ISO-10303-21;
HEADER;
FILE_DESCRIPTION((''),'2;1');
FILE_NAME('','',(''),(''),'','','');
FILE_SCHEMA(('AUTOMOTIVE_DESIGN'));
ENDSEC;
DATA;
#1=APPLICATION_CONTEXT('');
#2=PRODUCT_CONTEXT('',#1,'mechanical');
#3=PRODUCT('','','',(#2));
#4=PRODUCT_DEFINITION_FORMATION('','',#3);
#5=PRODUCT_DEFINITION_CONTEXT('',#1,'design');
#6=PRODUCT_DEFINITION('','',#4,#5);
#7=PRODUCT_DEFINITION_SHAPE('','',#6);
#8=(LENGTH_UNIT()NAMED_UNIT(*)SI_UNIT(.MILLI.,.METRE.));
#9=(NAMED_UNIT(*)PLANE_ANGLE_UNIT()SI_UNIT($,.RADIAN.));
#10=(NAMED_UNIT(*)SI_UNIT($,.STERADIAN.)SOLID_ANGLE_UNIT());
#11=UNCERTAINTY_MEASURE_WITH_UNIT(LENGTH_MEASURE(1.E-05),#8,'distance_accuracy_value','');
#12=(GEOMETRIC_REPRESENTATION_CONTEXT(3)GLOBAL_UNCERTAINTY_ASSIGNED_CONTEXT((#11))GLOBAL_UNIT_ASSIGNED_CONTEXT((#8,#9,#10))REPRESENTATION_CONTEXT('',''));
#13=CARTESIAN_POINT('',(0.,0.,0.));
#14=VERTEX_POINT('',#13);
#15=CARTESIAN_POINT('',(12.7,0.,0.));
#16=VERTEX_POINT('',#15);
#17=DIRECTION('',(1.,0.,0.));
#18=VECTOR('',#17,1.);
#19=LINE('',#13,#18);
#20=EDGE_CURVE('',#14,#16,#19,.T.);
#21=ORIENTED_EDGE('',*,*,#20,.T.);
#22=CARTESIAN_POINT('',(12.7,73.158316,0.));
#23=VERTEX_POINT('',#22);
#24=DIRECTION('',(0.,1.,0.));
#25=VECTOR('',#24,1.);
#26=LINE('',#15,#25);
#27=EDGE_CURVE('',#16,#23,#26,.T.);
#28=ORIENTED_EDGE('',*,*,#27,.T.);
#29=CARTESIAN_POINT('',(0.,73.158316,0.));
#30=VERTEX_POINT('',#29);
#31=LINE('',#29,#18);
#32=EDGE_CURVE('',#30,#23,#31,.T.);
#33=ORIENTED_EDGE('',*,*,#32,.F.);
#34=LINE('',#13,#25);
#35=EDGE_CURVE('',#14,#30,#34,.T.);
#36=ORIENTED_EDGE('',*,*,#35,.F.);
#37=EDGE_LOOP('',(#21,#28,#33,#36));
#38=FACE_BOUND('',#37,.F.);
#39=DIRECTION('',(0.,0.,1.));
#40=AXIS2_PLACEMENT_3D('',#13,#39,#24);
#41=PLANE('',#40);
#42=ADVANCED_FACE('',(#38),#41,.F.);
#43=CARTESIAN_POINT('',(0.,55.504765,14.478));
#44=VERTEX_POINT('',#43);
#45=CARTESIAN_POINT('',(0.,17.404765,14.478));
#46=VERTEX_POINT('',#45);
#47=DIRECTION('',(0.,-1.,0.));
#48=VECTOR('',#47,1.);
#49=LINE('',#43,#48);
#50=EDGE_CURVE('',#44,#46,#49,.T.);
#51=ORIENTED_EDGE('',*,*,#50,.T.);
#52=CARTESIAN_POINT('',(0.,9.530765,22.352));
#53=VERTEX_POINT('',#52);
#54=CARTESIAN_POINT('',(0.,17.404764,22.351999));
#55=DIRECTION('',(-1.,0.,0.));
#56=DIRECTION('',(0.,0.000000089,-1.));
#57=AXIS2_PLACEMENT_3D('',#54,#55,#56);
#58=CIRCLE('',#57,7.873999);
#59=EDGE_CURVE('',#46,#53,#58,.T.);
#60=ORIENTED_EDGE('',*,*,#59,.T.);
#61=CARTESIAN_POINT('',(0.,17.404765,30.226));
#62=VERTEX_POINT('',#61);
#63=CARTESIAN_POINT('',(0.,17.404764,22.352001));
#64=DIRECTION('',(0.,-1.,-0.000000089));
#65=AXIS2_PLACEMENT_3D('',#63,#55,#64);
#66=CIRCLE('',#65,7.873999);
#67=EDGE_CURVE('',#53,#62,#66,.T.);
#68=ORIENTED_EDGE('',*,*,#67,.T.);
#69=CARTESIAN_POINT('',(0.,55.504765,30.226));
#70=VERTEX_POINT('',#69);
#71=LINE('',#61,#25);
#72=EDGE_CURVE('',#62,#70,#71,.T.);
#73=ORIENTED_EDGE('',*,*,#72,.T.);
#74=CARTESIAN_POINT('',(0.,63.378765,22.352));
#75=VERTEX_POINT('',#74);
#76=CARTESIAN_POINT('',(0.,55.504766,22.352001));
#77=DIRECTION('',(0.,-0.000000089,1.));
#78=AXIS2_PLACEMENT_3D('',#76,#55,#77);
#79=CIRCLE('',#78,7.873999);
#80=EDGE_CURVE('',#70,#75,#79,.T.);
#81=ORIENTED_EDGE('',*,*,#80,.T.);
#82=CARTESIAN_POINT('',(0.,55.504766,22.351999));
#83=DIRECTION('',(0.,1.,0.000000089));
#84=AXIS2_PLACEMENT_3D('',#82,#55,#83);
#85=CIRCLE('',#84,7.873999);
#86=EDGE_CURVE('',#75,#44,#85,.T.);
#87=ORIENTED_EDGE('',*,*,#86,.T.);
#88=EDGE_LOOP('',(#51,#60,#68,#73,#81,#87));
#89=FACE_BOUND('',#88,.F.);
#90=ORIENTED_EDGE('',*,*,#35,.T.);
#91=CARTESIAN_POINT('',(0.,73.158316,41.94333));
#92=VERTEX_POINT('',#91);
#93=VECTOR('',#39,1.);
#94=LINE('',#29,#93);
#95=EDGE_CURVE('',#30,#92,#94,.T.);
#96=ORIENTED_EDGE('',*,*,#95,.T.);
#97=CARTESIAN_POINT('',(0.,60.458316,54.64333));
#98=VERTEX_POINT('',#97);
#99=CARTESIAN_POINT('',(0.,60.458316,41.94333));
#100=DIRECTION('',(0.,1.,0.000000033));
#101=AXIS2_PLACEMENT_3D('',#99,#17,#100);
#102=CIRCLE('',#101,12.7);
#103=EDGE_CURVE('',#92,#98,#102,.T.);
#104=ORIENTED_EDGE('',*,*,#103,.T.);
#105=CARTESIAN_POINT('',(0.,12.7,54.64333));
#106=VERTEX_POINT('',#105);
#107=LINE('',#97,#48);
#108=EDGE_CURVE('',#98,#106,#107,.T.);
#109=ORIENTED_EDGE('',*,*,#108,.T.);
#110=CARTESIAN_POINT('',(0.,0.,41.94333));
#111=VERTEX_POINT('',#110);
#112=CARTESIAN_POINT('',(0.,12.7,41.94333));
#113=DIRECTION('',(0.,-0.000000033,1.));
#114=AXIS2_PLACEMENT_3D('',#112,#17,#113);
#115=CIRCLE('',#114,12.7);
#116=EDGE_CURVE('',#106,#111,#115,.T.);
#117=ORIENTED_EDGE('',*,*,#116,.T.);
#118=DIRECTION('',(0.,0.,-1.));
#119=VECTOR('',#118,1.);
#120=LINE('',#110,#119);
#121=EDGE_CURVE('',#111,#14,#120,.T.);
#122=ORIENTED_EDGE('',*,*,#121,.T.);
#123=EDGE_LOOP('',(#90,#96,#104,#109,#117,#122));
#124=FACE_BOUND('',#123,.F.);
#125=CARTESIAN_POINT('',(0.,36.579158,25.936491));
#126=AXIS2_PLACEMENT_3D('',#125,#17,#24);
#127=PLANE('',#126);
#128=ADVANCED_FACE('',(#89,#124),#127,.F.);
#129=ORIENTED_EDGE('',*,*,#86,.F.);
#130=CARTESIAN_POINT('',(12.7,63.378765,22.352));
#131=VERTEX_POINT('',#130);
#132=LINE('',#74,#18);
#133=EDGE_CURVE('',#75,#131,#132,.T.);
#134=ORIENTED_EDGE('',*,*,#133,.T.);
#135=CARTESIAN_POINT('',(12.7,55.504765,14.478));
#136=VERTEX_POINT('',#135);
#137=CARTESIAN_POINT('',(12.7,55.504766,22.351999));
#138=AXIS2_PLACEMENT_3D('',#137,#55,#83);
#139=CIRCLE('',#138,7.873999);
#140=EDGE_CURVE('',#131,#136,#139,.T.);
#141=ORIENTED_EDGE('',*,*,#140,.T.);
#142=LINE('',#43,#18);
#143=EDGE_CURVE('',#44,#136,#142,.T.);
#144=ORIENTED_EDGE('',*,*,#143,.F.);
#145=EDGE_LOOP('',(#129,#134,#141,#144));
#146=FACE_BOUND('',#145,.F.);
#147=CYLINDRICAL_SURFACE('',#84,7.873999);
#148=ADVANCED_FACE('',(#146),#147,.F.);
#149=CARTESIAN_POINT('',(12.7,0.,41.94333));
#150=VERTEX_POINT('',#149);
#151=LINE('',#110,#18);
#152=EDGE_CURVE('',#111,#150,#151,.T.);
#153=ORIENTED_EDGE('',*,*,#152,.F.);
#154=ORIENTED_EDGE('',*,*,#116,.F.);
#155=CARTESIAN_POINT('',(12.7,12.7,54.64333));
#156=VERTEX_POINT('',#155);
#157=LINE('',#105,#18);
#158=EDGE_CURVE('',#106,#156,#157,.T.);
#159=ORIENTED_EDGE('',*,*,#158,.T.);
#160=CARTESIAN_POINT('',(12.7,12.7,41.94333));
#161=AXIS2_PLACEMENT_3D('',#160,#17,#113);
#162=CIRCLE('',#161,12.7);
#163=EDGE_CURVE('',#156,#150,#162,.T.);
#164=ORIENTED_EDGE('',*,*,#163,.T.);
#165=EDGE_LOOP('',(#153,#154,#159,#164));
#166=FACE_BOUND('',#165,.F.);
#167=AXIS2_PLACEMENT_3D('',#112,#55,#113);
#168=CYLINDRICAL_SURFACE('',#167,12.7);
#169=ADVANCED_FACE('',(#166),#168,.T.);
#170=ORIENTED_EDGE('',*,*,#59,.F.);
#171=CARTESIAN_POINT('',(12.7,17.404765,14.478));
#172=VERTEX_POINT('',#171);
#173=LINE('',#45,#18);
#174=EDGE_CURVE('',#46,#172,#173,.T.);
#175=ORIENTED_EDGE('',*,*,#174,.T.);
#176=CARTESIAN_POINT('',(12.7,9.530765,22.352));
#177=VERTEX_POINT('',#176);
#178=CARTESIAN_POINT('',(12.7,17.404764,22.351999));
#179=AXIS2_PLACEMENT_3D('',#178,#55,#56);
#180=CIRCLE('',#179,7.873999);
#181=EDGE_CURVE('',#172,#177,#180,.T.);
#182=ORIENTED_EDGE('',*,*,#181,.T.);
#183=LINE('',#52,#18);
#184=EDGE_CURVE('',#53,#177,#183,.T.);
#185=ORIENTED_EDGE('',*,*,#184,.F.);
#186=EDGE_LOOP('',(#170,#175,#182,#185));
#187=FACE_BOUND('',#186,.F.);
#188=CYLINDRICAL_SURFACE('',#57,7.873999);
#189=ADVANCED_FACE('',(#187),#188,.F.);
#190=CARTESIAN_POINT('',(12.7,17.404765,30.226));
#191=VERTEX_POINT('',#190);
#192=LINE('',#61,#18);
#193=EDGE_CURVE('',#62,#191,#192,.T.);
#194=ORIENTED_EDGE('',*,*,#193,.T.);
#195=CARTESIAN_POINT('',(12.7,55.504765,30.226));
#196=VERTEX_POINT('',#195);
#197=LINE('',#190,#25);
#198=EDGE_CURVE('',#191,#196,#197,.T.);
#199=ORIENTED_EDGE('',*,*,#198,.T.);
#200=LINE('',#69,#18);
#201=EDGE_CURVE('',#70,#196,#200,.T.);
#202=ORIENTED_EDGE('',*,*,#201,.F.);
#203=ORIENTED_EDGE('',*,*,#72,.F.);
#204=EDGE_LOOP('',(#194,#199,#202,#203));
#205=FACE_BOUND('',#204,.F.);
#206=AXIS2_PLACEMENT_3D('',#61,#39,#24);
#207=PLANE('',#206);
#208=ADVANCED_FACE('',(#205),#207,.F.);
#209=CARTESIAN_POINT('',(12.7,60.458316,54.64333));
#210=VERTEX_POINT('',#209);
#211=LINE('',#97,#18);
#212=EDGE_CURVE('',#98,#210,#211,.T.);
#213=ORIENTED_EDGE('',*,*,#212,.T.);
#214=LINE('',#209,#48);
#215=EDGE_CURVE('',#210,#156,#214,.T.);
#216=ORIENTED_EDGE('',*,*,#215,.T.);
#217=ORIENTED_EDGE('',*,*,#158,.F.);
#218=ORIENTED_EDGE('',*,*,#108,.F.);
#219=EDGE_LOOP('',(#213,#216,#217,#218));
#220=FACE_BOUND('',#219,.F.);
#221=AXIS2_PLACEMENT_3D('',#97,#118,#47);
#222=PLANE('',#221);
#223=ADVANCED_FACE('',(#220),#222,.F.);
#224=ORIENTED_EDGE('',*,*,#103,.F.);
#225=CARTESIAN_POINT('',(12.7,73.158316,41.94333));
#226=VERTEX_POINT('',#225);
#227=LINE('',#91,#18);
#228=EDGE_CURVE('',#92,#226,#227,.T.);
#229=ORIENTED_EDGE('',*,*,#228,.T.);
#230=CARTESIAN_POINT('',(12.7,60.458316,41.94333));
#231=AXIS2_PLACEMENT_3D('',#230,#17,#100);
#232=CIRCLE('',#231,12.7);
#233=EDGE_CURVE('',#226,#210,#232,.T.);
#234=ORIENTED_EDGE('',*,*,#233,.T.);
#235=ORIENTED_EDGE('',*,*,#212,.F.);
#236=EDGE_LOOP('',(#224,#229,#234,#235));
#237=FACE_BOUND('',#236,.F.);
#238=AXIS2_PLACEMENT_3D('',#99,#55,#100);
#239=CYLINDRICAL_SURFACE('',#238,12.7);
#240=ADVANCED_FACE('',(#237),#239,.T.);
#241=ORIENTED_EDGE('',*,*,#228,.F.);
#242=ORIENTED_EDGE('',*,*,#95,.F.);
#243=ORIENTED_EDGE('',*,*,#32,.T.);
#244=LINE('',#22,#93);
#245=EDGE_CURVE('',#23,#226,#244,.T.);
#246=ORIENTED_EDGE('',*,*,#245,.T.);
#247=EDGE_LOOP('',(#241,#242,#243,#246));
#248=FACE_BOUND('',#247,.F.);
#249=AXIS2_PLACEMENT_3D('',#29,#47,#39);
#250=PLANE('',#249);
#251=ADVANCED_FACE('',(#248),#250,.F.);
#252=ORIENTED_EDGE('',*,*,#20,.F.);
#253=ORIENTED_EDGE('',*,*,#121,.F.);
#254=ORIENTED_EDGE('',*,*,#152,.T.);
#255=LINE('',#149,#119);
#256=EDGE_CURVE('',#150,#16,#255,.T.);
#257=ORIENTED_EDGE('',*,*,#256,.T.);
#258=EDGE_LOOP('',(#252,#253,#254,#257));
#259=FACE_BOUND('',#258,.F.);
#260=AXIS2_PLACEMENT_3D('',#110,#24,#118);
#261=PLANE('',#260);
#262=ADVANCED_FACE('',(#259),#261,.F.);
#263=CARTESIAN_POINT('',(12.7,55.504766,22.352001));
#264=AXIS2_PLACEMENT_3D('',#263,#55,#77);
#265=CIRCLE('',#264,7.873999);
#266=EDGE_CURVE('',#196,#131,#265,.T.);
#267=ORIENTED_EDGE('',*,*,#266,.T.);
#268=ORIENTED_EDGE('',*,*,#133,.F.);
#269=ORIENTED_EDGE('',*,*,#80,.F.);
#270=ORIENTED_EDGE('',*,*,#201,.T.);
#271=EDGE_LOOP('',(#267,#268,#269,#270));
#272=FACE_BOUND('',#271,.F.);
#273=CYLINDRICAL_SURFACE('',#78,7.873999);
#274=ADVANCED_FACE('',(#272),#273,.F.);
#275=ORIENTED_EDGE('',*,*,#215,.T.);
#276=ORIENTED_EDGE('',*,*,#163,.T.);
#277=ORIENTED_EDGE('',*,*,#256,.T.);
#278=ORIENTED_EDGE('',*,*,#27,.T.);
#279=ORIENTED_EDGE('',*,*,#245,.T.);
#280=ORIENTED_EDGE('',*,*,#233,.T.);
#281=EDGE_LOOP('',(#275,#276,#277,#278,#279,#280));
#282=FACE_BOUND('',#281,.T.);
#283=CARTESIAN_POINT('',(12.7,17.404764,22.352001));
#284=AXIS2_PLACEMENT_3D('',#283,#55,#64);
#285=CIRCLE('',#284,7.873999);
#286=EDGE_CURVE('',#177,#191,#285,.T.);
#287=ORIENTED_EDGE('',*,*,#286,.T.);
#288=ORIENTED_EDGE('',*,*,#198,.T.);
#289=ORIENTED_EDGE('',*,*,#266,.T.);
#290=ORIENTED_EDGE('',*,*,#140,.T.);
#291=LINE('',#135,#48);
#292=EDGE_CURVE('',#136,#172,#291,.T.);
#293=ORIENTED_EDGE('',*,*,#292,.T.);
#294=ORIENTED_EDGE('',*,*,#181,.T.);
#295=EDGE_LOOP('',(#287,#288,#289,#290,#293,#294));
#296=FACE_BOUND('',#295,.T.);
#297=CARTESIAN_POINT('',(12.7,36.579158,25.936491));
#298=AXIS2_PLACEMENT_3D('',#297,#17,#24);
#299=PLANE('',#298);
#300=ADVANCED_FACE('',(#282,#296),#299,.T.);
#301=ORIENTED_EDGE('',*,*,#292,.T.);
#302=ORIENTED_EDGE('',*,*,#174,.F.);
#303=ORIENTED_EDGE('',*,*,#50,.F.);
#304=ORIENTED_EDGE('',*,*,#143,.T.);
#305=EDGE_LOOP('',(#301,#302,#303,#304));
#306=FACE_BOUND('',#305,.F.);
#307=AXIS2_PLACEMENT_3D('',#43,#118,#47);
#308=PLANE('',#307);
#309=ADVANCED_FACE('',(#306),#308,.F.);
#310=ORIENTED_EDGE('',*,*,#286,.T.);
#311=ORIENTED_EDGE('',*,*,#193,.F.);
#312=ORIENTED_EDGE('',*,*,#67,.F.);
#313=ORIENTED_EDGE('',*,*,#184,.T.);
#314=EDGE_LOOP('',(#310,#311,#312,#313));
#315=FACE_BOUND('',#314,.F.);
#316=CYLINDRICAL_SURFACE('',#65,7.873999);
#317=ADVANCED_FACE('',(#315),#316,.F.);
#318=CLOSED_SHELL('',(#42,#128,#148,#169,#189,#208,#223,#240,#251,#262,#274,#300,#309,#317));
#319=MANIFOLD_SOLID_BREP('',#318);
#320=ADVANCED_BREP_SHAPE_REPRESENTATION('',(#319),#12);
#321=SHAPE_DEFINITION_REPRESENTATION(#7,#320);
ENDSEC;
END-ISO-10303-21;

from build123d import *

# Parameters (mm, degrees)
F1_DEPTH = 12.7


with BuildPart() as f1:
    # F0 (on Right) → F1 (new body)
    with BuildSketch(Plane.YZ):
        with BuildLine():
            Line((0, 41.94333), (0, 0))
            Line((0, 0), (73.158316, 0))
            Line((73.158316, 0), (73.158316, 41.94333))
            ThreePointArc((73.158316, 41.94333), (69.438572, 50.923586), (60.458316, 54.64333))
            Line((60.458316, 54.64333), (12.7, 54.64333))
            ThreePointArc((12.7, 54.64333), (3.719744, 50.923586), (0, 41.94333))
        make_face()
        with BuildLine():
            ThreePointArc((9.530765, 22.352), (11.837006, 27.919759), (17.404765, 30.226))
            Line((17.404765, 30.226), (55.504765, 30.226))
            ThreePointArc((55.504765, 30.226), (61.072524, 27.919759), (63.378765, 22.352))
            ThreePointArc((63.378765, 22.352), (61.072524, 16.784241), (55.504765, 14.478))
            Line((55.504765, 14.478), (17.404765, 14.478))
            ThreePointArc((17.404765, 14.478), (11.837006, 16.784241), (9.530765, 22.352))
        make_face(mode=Mode.SUBTRACT)
    extrude(amount=F1_DEPTH)


solid = f1.part
